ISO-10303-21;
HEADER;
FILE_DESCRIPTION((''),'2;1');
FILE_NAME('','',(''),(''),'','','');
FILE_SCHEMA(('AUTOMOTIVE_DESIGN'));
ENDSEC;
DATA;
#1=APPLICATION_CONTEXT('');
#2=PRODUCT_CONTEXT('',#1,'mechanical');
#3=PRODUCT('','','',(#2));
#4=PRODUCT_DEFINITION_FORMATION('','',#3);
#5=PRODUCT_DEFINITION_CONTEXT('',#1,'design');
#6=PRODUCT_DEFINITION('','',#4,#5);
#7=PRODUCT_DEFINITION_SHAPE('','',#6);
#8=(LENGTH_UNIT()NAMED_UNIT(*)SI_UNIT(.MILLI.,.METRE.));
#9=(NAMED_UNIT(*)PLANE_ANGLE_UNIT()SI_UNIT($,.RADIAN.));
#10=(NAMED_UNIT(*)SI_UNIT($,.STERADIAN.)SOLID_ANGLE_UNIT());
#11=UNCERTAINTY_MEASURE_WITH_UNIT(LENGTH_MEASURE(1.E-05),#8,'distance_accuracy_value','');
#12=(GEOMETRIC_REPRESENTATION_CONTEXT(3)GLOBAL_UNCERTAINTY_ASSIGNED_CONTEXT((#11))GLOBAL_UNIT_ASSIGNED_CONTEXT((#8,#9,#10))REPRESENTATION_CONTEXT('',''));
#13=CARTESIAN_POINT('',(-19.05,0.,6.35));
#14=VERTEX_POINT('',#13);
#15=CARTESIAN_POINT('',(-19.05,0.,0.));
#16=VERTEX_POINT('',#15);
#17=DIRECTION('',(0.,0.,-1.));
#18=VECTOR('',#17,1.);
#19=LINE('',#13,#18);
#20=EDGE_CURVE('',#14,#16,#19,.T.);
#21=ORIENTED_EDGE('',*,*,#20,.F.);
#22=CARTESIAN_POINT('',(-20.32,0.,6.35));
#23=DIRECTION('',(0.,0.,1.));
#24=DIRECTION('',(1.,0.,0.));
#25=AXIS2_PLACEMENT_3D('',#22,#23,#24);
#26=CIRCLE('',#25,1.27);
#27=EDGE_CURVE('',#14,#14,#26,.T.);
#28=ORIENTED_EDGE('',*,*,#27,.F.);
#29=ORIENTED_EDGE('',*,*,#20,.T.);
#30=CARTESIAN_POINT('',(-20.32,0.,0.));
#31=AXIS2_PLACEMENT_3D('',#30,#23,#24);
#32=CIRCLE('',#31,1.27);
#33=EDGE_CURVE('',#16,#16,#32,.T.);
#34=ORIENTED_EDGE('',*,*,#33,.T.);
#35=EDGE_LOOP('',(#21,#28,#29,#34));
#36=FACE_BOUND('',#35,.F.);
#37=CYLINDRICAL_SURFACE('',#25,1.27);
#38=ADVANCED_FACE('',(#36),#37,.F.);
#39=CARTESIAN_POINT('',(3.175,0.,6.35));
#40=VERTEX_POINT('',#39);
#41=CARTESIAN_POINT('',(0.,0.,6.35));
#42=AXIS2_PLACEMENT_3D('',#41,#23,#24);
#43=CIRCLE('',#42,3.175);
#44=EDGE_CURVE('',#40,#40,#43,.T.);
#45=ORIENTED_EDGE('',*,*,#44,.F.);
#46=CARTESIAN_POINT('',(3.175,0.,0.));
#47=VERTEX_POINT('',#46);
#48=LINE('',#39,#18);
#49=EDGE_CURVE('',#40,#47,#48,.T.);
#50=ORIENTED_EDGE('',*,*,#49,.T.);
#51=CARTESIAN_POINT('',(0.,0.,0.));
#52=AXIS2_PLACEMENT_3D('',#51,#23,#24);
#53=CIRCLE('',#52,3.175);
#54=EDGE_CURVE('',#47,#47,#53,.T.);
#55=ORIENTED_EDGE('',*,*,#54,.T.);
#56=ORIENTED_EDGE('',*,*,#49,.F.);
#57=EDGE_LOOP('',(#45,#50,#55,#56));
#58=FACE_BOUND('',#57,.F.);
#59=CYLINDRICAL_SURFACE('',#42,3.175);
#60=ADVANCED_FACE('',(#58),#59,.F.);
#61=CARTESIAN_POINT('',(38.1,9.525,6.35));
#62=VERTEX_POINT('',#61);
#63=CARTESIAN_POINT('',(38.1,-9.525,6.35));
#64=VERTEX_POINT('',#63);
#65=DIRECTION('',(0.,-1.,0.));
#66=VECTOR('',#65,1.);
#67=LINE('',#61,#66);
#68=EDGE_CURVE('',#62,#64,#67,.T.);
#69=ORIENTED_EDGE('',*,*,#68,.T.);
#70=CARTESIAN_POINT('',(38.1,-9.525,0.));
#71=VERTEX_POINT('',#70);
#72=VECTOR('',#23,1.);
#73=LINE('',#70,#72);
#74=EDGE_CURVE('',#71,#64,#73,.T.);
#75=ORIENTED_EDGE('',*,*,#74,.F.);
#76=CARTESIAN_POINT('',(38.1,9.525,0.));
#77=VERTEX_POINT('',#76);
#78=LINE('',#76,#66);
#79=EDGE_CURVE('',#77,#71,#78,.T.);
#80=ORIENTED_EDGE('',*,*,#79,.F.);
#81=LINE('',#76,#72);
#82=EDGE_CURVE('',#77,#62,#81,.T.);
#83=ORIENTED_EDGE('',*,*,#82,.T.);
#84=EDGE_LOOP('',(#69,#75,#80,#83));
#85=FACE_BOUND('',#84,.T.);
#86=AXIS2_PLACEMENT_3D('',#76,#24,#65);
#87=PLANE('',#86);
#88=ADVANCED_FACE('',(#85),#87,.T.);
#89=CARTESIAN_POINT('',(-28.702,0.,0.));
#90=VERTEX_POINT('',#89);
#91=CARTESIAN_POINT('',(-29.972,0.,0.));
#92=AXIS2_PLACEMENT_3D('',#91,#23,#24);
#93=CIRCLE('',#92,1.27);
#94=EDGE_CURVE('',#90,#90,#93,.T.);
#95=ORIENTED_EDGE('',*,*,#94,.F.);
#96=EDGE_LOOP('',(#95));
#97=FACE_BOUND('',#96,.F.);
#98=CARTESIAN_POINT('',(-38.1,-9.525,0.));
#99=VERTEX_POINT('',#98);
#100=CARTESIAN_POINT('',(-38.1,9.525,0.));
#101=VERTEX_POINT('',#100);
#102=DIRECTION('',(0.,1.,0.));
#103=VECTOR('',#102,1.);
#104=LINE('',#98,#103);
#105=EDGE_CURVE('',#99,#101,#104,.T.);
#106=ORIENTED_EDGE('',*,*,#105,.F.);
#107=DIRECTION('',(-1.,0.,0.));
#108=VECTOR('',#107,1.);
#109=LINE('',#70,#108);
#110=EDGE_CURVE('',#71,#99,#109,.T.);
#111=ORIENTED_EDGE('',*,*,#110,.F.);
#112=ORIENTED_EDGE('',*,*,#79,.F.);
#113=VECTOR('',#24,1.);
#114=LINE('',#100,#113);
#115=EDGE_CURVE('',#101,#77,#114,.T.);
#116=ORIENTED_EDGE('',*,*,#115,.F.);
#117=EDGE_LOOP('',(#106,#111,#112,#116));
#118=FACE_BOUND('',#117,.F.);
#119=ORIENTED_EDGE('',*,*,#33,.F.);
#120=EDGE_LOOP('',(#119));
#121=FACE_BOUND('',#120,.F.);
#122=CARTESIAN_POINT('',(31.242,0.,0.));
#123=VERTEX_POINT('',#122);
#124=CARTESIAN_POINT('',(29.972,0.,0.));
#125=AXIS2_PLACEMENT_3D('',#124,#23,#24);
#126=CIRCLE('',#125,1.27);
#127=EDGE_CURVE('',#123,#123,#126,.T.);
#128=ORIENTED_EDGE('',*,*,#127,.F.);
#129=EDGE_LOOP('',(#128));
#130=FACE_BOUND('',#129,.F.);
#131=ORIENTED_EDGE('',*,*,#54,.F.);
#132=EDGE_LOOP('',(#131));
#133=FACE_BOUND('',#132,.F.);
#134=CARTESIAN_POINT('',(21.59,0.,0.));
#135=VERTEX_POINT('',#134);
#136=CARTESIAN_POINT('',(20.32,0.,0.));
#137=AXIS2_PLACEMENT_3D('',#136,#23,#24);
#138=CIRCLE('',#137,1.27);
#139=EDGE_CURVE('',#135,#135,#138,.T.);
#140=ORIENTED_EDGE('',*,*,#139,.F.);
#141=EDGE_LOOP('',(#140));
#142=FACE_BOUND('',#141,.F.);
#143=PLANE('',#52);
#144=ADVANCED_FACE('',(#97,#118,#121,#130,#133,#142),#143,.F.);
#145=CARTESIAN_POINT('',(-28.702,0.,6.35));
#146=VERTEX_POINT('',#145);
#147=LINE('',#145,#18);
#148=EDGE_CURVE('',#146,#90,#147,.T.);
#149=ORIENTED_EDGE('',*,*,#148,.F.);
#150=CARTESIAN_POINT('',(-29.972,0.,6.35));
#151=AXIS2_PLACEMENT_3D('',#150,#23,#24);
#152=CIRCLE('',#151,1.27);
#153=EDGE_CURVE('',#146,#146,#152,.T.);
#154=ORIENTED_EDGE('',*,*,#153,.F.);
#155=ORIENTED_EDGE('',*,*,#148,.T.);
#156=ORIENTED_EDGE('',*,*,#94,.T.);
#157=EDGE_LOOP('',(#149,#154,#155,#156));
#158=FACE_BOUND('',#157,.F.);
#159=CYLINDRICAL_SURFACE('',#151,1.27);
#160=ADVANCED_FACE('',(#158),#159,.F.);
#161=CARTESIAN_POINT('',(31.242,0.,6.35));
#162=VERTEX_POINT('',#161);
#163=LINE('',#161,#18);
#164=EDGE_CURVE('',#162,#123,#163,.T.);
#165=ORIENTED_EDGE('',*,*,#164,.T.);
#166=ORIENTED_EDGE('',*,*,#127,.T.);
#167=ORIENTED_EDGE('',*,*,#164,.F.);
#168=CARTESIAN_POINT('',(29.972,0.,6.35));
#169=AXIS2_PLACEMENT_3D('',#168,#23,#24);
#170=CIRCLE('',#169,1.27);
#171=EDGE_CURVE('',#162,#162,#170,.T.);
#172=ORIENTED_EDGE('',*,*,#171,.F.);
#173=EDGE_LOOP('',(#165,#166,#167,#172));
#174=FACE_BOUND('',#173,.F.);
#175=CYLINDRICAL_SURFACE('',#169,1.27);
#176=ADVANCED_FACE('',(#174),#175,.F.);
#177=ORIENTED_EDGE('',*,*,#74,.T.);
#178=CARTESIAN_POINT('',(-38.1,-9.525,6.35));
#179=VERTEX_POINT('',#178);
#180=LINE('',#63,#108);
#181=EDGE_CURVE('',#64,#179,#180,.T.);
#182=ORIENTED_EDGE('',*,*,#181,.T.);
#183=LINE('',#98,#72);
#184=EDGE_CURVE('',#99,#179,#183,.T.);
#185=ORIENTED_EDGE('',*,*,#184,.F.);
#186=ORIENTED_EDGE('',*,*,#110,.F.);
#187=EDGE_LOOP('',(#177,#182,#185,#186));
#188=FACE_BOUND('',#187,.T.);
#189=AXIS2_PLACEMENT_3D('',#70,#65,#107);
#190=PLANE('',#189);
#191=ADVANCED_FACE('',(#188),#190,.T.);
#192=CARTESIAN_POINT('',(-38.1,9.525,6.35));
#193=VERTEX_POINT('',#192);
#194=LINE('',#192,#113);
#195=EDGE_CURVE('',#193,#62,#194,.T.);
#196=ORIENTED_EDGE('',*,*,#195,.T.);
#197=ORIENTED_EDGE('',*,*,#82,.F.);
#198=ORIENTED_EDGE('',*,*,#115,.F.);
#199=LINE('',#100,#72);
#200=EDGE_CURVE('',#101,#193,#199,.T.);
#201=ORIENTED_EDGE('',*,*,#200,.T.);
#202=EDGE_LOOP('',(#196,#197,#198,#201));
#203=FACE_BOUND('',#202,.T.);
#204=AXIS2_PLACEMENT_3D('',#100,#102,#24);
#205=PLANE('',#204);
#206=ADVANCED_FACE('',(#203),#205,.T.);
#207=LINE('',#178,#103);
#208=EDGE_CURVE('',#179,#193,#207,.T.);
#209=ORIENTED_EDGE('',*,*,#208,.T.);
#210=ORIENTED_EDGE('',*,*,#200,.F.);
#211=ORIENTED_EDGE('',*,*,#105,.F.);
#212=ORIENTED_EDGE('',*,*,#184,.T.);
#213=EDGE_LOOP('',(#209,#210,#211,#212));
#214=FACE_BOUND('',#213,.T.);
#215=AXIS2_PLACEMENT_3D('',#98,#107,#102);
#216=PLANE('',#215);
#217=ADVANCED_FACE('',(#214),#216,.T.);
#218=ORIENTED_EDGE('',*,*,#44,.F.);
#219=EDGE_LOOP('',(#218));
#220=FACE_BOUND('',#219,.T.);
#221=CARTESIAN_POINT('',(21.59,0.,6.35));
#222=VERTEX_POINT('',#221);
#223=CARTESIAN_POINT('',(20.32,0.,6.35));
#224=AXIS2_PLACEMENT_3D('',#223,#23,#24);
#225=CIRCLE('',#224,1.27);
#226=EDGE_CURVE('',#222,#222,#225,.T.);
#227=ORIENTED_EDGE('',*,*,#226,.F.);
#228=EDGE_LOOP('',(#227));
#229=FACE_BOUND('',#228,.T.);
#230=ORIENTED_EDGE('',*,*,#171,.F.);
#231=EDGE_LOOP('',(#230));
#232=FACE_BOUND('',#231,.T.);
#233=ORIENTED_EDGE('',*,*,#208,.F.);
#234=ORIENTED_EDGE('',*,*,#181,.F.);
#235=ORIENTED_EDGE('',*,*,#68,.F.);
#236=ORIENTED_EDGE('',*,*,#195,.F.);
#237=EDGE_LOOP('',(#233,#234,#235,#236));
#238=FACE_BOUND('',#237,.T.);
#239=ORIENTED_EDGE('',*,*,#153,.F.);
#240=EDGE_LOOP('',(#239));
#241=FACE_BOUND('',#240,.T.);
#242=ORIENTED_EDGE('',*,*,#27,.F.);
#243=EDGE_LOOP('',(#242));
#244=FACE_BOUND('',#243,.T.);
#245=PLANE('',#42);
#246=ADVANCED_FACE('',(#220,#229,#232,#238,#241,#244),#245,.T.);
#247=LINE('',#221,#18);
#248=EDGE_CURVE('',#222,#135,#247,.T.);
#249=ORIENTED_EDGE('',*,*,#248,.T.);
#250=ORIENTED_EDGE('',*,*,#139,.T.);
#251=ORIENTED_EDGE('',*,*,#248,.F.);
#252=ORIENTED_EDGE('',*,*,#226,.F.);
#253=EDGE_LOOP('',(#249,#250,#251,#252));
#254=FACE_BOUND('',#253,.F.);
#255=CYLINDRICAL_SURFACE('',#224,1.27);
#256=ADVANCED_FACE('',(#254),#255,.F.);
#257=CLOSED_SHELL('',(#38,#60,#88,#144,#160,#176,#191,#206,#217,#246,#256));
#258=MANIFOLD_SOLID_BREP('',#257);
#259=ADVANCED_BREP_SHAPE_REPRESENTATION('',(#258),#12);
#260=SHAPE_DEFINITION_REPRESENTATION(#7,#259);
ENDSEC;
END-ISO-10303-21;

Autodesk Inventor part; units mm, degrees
ref_plane "YZ Plane" through (0, 0, 0) normal (1, 0, 0) x (0, 1, 0)
ref_plane "XZ Plane" through (0, 0, 0) normal (0, 1, 0) x (-1, 0, 0)
ref_plane "XY Plane" through (0, 0, 0) normal (0, 0, 1) x (1, 0, 0)
sketch "Sketch2" plane through (0, 0, 0) normal (0, 0, 1) x (1, 0, 0)
  line L0 (-38.1, 9.525) -> (38.1, 9.525)
  line L1 (38.1, 9.525) -> (38.1, -9.525)
  line L2 (38.1, -9.525) -> (-38.1, -9.525)
  line L3 (-38.1, -9.525) -> (-38.1, 9.525)
  point P0 (0, 0)
  dimension "d0" = 76.2
  dimension "d1" = 19.05
  dimension "d2" = 38.1
  dimension "d3" = 9.525
extrude "Extrusion1" add sketch "Sketch2" along normal blind 6.35
sketch "Sketch3" plane through (0, 0, 6.35) normal (0, 0, 1) x (1, 0, 0)
  circle A0 centre (0, 0) radius 3.175
  circle A1 centre (-20.32, 0) radius 1.27
  circle A2 centre (20.32, 0) radius 1.27
  circle A3 centre (0, 0) radius 10.16
  circle A4 centre (-29.972, 0) radius 1.27
  circle A5 centre (29.972, 0) radius 1.27
  dimension "d6" = 6.35
  dimension "d7" = 2.54
  dimension "d10" = 2.54
  dimension "d12" = 20.32
  dimension "d13" = 20.32
  dimension "d15" = 0
  dimension "d16" = 20.32
  dimension "d18" = 0
  dimension "d22" = 2.54
  dimension "d24" = 0
  dimension "d26" = 9.652
  dimension "d27" = 2.54
  dimension "d28" = 9.652
  dimension "d29" = 0
extrude "Extrusion4" cut sketch "Sketch3" against normal blind 25.4 contours A0 | A1 | A2 | A4 | A5
equation "\"d2\" = 0.5 * d0"
equation "\"d3\" = 0.5 * d1"
equation "\"d16\" = d12"
properties part number "Solenoid Mounting Panel"
